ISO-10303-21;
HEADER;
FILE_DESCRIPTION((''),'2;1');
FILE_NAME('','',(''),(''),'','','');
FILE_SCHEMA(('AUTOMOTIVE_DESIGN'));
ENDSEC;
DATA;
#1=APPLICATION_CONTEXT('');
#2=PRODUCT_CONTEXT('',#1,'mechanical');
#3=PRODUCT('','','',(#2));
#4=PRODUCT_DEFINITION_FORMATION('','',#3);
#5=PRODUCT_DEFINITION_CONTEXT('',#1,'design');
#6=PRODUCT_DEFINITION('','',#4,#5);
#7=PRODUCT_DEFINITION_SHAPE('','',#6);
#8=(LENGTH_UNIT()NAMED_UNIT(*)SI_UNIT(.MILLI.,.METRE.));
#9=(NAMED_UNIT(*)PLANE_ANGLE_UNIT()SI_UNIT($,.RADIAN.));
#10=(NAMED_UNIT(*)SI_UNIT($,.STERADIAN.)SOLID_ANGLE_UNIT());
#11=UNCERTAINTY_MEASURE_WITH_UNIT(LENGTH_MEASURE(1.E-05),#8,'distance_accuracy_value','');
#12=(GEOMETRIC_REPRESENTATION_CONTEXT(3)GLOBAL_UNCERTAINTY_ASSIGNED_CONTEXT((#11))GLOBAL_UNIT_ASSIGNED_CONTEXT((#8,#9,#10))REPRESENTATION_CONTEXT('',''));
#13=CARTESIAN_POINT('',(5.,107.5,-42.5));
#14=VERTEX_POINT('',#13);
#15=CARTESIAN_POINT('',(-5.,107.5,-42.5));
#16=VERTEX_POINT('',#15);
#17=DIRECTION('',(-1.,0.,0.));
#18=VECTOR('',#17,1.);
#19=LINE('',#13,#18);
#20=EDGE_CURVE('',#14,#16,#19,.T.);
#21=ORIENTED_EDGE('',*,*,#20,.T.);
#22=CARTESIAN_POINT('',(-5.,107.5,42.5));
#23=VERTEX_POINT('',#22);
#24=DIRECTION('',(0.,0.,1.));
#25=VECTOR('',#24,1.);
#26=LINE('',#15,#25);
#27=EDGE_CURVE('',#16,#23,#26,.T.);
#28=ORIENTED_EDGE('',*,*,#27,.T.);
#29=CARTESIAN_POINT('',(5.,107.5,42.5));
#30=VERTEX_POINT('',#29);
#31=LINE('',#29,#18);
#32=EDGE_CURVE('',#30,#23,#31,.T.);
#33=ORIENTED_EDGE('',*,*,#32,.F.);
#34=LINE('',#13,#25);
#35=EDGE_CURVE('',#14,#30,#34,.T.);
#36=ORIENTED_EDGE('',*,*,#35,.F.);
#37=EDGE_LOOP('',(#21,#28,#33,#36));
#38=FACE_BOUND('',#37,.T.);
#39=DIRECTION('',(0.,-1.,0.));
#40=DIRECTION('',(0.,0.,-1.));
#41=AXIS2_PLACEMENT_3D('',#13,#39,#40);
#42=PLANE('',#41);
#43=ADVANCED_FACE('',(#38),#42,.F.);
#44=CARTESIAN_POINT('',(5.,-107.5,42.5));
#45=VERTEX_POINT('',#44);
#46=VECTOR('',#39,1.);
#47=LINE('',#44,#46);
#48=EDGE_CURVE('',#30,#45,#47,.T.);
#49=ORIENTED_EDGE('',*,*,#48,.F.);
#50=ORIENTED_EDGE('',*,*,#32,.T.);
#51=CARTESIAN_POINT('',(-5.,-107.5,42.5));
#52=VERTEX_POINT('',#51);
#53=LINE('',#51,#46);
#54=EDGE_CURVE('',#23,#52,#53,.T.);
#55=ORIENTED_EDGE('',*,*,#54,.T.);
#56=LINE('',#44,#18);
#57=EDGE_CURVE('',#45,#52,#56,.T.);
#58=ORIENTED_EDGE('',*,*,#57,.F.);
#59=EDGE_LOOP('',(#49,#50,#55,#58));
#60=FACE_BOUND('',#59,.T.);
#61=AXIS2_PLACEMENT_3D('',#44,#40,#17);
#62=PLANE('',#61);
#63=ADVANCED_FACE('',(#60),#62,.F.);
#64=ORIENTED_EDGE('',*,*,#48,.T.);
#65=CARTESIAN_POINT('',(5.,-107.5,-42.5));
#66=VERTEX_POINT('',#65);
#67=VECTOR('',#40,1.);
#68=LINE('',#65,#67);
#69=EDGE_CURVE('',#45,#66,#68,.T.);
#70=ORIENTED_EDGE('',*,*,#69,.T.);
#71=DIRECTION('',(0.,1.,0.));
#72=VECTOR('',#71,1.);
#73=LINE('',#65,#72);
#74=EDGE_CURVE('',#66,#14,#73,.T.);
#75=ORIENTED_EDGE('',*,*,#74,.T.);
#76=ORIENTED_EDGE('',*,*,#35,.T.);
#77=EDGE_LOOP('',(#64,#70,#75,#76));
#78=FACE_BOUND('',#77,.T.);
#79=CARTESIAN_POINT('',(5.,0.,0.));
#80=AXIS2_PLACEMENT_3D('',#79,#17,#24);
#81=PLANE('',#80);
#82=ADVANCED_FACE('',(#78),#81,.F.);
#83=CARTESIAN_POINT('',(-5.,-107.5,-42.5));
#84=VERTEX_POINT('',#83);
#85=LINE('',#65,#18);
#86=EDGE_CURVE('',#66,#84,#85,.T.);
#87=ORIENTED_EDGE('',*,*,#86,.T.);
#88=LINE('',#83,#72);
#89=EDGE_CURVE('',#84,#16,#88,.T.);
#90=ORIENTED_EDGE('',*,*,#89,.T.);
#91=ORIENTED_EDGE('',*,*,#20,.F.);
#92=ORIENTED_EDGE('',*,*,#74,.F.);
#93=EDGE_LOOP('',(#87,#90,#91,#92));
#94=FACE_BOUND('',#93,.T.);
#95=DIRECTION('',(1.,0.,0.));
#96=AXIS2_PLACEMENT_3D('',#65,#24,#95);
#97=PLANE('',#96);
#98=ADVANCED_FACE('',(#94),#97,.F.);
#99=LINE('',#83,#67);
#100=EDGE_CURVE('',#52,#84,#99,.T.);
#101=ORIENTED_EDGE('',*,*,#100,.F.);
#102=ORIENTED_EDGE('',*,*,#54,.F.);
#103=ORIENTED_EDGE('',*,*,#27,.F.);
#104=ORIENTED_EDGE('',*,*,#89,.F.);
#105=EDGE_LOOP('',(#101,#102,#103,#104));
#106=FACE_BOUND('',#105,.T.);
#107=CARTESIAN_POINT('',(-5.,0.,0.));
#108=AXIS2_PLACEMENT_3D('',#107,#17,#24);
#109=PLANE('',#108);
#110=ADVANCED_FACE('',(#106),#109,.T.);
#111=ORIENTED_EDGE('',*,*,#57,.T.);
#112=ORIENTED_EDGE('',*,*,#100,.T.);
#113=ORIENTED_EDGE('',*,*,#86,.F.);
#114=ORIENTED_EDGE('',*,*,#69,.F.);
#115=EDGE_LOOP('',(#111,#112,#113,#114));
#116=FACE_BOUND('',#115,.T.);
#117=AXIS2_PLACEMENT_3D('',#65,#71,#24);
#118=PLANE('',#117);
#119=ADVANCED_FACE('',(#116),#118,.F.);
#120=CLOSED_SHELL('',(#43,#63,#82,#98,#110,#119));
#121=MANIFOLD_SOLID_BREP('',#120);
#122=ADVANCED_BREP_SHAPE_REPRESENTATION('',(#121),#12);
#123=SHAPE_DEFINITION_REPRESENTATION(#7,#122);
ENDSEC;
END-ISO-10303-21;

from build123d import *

# Parameters (mm, degrees)
SKETCH1_W           = 215
SKETCH1_H           = 85
BOSS_EXTRUDE1_DEPTH = 5


with BuildPart() as part:
    # Sketch1 → Boss-Extrude1 (new, symmetric)
    with BuildSketch(Plane.YZ):
        Rectangle(SKETCH1_W, SKETCH1_H)
    extrude(amount=BOSS_EXTRUDE1_DEPTH, both=True)


solid = part.part
